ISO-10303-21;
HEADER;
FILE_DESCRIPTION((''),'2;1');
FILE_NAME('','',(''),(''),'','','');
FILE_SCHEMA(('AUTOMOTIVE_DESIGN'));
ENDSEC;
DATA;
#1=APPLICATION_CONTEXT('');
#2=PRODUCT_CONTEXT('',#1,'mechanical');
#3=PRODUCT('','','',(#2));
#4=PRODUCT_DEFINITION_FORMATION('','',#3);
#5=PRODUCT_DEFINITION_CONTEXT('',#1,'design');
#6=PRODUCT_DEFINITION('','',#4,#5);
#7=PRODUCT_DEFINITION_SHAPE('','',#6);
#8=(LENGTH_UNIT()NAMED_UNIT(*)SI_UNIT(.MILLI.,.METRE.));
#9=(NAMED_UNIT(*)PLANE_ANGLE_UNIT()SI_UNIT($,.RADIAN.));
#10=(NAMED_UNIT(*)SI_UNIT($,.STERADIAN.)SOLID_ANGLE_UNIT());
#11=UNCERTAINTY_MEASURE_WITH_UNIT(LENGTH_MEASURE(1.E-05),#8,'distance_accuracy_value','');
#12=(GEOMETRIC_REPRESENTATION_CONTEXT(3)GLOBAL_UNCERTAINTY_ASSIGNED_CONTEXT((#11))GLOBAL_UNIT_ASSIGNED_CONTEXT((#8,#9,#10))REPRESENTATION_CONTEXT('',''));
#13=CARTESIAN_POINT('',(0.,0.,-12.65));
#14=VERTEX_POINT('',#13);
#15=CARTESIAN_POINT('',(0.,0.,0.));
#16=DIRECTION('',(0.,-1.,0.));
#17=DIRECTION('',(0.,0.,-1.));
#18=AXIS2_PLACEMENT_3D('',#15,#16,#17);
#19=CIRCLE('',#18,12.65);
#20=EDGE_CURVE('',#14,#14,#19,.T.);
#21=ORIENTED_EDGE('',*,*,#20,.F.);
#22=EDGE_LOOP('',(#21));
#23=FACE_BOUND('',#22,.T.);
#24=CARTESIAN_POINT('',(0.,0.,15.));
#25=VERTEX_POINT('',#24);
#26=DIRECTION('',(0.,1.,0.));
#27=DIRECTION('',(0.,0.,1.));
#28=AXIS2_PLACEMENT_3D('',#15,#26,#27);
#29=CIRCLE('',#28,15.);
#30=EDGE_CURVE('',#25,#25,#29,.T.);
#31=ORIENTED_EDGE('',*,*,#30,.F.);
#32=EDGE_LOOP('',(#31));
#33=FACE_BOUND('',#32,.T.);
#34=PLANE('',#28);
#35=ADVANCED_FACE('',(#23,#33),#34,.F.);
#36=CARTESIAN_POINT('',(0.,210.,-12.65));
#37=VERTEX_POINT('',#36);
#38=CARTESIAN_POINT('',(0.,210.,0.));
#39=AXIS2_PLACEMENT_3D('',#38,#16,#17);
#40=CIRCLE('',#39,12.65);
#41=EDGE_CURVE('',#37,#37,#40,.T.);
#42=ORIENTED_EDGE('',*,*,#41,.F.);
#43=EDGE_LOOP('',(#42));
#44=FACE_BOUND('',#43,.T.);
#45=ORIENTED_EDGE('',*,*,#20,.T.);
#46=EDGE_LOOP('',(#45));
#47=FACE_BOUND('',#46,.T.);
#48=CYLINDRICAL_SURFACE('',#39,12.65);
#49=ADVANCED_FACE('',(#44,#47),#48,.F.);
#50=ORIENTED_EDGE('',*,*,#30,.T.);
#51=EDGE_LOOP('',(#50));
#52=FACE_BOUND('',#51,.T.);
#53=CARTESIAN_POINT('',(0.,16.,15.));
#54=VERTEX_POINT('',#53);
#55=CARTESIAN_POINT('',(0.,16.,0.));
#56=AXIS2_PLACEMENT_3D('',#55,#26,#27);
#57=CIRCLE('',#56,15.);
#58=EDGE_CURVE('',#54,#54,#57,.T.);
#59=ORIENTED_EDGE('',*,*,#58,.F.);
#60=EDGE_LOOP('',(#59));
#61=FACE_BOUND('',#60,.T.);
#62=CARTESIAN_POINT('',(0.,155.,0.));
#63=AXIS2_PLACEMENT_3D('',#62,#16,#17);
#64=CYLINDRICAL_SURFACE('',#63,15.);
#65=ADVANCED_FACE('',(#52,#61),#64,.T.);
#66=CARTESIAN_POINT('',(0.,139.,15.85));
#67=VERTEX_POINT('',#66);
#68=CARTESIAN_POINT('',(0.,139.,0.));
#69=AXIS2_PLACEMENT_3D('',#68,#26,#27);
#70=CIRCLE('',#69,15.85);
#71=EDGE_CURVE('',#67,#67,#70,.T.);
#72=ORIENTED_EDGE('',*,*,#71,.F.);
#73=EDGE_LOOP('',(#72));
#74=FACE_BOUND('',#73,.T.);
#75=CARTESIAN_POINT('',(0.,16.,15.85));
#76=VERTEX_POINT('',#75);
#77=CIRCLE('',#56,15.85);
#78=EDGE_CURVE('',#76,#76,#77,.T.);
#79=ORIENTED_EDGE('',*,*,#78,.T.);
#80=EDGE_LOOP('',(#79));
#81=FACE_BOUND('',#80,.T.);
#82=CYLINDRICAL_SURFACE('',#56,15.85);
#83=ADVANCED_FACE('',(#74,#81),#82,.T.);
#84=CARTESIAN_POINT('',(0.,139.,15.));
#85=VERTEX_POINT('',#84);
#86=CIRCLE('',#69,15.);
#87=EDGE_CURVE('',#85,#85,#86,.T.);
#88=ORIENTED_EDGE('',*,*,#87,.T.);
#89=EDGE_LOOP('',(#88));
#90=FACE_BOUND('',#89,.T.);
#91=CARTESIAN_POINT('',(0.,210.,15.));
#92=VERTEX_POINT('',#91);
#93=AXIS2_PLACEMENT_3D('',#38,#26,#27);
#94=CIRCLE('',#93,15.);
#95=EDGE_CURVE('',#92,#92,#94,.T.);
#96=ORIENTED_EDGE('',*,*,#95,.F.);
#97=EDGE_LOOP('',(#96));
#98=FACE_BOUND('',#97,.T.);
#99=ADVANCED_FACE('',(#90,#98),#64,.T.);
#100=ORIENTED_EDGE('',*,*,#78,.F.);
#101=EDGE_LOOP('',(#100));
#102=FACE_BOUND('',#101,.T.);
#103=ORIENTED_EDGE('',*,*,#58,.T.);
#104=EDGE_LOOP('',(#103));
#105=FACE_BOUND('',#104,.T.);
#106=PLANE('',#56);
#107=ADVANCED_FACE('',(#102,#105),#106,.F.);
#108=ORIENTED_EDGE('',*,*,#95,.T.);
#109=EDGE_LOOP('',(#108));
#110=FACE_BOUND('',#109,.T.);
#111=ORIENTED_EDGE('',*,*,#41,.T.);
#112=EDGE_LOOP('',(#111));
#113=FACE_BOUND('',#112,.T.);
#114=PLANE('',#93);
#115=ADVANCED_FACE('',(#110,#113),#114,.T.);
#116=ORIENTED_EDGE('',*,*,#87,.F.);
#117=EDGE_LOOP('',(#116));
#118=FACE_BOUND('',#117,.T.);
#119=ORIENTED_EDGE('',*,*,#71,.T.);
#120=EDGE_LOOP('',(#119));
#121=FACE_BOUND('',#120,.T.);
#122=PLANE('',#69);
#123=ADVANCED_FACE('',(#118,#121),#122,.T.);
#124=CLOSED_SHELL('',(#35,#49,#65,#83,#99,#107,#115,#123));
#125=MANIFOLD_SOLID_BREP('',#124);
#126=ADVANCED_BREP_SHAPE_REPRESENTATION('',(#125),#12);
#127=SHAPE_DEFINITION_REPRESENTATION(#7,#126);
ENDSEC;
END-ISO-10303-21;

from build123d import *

# Parameters (mm, degrees)
SKETCH1_R           = 15
BOSS_EXTRUDE1_DEPTH = 155
BOSS_EXTRUDE2_START = -16
SKETCH2_R           = 15.85
BOSS_EXTRUDE2_DEPTH = 123
SKETCH3_R           = 15
BOSS_EXTRUDE3_DEPTH = 55
SKETCH6_R           = 12.65
CUT_EXTRUDE2_DEPTH  = 212.192909445


with BuildPart() as part:
    # Sketch1 → Boss-Extrude1 (new body)
    with BuildSketch(Plane(origin=(0, 0, 0), x_dir=(1, 0, 0), z_dir=(0, 1, 0))):
        with Locations(Location((0, 0, 0), (0, 0, 270))):
            Circle(SKETCH1_R)
    extrude(amount=BOSS_EXTRUDE1_DEPTH)

    # Sketch2 → Boss-Extrude2 (add)
    with BuildSketch(Plane(origin=(0, 155, 0), x_dir=(1, 0, 0), z_dir=(0, 1, 0)).offset(BOSS_EXTRUDE2_START)):
        with Locations(Location((0, 0, 0), (0, 0, 270))):
            Circle(SKETCH2_R)
    extrude(amount=-BOSS_EXTRUDE2_DEPTH)

    # Sketch3 → Boss-Extrude3 (add)
    with BuildSketch(Plane(origin=(0, 155, 0), x_dir=(1, 0, 0), z_dir=(0, 1, 0))):
        with Locations(Location((0, 0, 0), (0, 0, 270))):
            Circle(SKETCH3_R)
    extrude(amount=BOSS_EXTRUDE3_DEPTH)

    # Sketch6 → Cut-Extrude2 (cut, through all)
    with BuildSketch(Plane.XZ):
        with Locations(Location((0, 0, 0), (0, 0, 270))):
            Circle(SKETCH6_R)
    extrude(amount=-CUT_EXTRUDE2_DEPTH, mode=Mode.SUBTRACT)


solid = part.part
